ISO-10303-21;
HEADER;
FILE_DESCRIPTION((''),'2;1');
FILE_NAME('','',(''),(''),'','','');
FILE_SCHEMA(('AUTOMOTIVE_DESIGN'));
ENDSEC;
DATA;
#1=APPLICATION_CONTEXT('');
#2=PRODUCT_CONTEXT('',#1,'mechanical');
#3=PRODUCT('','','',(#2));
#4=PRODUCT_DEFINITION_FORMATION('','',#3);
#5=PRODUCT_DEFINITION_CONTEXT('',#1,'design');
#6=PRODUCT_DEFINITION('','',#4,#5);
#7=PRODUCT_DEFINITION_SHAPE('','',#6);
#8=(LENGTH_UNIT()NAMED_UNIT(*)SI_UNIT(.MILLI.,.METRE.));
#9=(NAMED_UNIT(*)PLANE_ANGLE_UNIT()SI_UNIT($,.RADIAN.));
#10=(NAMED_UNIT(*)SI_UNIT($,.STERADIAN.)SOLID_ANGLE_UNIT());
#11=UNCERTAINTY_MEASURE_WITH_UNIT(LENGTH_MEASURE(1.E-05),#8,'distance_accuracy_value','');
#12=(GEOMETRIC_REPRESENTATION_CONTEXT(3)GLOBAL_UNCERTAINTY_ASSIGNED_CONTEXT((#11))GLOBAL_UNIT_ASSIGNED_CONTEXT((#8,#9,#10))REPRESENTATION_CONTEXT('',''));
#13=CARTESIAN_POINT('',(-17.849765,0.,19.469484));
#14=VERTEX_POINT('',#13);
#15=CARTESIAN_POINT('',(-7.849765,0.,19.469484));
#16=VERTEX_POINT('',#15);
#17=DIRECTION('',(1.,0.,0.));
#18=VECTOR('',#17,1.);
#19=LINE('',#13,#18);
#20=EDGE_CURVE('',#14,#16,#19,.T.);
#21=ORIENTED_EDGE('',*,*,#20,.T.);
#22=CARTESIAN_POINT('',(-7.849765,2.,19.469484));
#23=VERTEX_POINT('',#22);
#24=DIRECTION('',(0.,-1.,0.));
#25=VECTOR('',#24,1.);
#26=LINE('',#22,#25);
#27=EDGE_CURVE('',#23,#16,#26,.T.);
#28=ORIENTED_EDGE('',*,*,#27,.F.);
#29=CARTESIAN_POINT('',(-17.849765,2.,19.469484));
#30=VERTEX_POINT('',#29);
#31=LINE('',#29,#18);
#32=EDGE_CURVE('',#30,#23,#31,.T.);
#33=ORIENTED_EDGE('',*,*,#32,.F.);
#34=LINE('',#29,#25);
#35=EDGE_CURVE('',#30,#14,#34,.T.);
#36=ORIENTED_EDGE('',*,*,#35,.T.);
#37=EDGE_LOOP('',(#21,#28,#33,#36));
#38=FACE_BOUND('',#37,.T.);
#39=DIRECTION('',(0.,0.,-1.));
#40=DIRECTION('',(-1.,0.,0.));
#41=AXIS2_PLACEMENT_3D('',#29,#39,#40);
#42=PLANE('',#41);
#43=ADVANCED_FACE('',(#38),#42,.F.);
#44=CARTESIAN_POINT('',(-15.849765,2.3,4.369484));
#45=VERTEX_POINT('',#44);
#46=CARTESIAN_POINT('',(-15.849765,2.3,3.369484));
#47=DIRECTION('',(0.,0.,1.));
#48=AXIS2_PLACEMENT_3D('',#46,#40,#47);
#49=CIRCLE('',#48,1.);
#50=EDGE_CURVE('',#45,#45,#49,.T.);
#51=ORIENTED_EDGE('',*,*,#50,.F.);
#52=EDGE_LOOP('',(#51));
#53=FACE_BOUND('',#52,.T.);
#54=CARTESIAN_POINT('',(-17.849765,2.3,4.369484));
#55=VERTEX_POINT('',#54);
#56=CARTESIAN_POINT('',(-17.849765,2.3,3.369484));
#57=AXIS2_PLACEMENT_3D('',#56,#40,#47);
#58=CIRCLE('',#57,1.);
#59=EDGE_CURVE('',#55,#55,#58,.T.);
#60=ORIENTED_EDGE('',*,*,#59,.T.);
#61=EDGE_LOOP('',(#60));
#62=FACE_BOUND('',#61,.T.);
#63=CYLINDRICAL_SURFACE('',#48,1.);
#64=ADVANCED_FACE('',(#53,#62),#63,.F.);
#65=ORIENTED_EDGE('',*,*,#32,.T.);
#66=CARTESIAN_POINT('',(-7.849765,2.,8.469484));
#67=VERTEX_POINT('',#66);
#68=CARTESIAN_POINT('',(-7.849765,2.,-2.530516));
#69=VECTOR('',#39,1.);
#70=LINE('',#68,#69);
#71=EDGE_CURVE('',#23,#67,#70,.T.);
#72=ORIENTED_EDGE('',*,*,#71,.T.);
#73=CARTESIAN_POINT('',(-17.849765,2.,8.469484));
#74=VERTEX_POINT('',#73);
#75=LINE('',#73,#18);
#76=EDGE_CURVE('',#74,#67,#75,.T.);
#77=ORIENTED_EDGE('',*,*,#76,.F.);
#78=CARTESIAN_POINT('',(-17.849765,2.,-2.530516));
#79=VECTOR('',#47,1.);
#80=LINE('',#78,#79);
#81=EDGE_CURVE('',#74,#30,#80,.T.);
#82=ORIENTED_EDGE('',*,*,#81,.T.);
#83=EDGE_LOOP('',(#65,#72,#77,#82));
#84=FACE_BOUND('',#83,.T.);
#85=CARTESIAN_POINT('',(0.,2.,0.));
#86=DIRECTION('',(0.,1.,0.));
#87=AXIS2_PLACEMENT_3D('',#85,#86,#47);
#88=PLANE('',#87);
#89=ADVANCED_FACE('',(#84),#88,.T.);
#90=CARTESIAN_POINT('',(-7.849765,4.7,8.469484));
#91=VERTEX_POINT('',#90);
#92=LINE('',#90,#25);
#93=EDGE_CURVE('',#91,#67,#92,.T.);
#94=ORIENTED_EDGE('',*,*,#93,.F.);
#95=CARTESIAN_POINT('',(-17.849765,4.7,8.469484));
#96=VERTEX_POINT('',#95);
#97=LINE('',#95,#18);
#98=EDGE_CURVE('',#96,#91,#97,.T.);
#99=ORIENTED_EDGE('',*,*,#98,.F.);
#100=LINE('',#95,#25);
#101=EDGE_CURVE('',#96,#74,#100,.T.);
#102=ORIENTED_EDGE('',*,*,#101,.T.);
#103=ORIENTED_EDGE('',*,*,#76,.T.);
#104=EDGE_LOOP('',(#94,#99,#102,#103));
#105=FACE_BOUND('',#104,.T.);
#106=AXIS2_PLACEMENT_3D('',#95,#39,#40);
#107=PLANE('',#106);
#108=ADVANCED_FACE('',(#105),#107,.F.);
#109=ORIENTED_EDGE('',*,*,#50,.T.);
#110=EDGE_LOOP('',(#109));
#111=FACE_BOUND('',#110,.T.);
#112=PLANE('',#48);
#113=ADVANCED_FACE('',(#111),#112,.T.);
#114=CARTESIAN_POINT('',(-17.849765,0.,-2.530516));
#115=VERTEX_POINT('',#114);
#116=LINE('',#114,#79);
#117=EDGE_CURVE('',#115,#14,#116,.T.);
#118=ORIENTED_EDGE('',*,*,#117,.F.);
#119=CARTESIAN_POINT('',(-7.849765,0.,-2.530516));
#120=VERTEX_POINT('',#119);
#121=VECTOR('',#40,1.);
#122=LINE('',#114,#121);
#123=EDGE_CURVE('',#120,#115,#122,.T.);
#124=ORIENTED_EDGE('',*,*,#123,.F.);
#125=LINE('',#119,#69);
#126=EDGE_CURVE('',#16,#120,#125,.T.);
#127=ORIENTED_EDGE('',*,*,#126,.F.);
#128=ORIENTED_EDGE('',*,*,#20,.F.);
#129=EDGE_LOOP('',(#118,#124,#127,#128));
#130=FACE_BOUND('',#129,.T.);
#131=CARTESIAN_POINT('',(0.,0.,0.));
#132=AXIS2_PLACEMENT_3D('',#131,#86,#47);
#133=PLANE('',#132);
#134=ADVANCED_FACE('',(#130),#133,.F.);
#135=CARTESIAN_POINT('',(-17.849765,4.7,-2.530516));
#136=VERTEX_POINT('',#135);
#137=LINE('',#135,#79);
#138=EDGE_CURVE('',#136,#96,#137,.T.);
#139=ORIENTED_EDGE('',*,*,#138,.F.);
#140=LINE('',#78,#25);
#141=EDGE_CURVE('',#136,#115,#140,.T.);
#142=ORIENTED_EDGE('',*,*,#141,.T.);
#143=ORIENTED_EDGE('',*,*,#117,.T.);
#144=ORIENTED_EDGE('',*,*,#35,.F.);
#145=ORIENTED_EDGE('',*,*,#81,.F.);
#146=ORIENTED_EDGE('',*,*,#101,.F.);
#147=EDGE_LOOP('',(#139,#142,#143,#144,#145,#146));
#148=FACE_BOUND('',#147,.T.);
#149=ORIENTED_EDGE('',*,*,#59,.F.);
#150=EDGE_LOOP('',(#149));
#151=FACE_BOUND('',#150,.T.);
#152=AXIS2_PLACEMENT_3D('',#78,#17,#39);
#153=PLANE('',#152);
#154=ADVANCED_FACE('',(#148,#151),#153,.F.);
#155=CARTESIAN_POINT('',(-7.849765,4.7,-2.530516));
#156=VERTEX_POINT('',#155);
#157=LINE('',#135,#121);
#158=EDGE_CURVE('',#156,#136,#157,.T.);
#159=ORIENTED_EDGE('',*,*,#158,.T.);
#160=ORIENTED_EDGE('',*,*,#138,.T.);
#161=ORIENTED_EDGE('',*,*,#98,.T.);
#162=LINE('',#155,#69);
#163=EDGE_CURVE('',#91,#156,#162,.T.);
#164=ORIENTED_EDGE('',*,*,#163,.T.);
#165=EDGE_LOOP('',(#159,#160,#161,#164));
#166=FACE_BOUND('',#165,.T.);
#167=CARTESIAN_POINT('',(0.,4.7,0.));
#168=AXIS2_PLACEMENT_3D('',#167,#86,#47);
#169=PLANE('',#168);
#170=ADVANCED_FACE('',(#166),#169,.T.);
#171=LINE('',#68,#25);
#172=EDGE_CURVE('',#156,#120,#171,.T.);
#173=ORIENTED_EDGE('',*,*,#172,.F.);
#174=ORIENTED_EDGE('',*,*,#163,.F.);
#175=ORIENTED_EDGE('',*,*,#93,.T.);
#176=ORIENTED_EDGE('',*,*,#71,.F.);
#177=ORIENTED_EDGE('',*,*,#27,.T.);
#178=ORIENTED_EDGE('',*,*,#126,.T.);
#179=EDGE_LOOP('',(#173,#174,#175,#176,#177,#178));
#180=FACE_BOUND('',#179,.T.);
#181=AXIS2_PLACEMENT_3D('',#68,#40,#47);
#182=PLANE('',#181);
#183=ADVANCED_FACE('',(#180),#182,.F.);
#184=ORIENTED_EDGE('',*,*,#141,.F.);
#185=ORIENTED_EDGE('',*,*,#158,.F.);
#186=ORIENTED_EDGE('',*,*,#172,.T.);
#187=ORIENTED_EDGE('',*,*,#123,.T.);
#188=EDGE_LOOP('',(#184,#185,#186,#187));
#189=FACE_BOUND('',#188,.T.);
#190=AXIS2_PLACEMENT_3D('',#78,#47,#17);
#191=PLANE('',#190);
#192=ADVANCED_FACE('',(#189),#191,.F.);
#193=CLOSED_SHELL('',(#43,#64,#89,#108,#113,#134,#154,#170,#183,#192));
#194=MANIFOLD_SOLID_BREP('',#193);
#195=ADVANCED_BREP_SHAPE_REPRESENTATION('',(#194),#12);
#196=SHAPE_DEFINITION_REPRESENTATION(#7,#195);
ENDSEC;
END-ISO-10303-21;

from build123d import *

# Parameters (mm, degrees)
SKETCH3_W           = 10
SKETCH3_H           = 22
BOSS_EXTRUDE1_DEPTH = 2
SKETCH4_W           = 10
SKETCH4_H           = 11
BOSS_EXTRUDE2_DEPTH = 2.7
SKETCH5_R           = 1
CUT_EXTRUDE1_DEPTH  = 2


with BuildPart() as part:
    # Sketch3 → Boss-Extrude1 (new body)
    with BuildSketch(Plane(origin=(0, 0, 0), x_dir=(1, 0, 0), z_dir=(0, 1, 0))):
        with Locations((-12.849765258, -8.469483568)):
            Rectangle(SKETCH3_W, SKETCH3_H)
    extrude(amount=BOSS_EXTRUDE1_DEPTH)

    # Sketch4 → Boss-Extrude2 (add)
    with BuildSketch(Plane(origin=(0, 2, 0), x_dir=(1, 0, 0), z_dir=(0, 1, 0))):
        with Locations((-12.849765258, -2.969483568)):
            Rectangle(SKETCH4_W, SKETCH4_H)
    extrude(amount=BOSS_EXTRUDE2_DEPTH)

    # Sketch5 → Cut-Extrude1 (cut)
    with BuildSketch(Plane.ZY.offset(17.849765258)):
        with Locations((3.369483568, 2.3)):
            Circle(SKETCH5_R)
    extrude(amount=-CUT_EXTRUDE1_DEPTH, mode=Mode.SUBTRACT)


solid = part.part
